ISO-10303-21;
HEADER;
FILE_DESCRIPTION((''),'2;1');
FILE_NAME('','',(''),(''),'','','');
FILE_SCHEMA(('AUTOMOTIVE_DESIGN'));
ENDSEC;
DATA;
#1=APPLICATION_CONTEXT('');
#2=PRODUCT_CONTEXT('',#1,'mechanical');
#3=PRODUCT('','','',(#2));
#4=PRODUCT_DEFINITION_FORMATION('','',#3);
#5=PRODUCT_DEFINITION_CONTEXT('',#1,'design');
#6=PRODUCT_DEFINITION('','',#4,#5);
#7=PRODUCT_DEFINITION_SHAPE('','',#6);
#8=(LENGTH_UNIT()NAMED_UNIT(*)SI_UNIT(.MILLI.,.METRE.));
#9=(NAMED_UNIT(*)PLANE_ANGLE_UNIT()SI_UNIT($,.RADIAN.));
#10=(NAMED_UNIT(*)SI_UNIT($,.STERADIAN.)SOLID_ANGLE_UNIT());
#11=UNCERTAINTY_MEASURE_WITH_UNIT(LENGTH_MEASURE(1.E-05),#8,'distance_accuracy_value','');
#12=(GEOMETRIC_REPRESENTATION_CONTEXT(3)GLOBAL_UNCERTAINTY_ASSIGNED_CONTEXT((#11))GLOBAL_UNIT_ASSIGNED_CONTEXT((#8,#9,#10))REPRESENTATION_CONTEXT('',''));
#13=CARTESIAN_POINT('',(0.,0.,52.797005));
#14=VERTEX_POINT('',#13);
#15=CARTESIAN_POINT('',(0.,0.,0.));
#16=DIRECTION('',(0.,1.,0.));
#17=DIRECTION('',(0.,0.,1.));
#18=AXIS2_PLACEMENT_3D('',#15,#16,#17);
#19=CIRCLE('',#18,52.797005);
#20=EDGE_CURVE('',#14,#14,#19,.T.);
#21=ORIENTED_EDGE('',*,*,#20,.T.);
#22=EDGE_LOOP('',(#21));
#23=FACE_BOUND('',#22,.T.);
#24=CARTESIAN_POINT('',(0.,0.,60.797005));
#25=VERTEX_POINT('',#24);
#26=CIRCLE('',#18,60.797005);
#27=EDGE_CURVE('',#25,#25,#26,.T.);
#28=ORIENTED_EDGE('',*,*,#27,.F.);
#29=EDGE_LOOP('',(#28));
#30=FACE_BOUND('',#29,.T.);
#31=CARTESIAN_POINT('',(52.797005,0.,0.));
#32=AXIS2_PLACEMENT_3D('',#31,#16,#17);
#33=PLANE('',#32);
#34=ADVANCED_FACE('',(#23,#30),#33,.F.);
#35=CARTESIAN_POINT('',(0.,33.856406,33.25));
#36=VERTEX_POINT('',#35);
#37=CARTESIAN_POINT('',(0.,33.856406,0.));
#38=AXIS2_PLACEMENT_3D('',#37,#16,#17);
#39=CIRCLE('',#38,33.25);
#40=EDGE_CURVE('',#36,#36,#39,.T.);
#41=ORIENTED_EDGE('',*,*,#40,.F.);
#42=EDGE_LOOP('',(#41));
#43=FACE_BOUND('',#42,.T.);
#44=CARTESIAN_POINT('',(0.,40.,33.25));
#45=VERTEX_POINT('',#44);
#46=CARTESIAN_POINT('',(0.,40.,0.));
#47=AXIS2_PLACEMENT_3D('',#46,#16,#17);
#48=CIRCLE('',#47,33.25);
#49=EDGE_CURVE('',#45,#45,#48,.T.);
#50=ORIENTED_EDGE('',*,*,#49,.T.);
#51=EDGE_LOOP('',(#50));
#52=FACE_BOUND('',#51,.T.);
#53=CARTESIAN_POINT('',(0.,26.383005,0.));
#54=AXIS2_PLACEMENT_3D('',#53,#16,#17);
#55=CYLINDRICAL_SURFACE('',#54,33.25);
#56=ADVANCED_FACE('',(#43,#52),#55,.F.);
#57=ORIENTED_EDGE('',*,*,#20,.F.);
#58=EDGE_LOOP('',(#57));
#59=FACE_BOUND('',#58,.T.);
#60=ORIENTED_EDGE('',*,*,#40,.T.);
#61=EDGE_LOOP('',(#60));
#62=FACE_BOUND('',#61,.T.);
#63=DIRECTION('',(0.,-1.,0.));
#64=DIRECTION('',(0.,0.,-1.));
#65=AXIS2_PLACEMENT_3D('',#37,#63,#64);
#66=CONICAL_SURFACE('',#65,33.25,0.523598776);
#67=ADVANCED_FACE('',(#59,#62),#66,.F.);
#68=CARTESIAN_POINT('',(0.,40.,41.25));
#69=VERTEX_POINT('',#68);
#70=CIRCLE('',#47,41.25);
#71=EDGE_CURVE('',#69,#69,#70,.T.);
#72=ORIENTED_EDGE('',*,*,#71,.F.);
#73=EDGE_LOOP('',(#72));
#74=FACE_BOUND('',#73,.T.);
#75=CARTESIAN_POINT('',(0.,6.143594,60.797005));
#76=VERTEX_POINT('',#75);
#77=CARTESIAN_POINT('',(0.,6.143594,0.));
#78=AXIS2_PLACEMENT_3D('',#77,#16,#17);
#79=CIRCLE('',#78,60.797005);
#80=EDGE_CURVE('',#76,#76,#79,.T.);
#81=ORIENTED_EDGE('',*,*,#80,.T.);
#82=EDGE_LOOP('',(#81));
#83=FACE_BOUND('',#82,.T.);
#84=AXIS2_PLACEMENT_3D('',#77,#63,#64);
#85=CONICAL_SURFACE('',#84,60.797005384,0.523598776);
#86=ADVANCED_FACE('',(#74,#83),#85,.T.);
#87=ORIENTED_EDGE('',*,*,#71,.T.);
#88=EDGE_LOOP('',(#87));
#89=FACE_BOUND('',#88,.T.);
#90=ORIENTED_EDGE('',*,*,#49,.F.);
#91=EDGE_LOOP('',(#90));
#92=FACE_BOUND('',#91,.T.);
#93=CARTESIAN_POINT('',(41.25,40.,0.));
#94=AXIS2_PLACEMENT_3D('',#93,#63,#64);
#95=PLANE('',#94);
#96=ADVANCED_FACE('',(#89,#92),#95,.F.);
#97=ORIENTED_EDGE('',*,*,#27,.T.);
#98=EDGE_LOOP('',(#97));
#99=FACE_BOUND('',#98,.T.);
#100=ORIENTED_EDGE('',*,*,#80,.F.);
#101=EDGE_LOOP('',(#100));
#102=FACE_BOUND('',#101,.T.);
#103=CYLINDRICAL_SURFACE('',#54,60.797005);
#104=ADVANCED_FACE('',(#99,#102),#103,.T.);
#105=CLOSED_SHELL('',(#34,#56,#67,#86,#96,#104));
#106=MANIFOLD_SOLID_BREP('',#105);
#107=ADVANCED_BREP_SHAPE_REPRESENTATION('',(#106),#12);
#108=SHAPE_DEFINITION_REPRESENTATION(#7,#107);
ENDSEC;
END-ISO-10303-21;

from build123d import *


with BuildPart() as part:
    # Sketch1 → Revolve1 (revolve)
    with BuildSketch(Plane.XY):
        Polygon((33.25, 40), (33.25, 33.856406461), (52.797005384, 0), (60.797005384, 0), (60.797005384, 6.143593539), (41.25, 40), align=None)
    revolve(axis=Axis((0, 26.383004513, 0), (0, -1, 0)))


solid = part.part
